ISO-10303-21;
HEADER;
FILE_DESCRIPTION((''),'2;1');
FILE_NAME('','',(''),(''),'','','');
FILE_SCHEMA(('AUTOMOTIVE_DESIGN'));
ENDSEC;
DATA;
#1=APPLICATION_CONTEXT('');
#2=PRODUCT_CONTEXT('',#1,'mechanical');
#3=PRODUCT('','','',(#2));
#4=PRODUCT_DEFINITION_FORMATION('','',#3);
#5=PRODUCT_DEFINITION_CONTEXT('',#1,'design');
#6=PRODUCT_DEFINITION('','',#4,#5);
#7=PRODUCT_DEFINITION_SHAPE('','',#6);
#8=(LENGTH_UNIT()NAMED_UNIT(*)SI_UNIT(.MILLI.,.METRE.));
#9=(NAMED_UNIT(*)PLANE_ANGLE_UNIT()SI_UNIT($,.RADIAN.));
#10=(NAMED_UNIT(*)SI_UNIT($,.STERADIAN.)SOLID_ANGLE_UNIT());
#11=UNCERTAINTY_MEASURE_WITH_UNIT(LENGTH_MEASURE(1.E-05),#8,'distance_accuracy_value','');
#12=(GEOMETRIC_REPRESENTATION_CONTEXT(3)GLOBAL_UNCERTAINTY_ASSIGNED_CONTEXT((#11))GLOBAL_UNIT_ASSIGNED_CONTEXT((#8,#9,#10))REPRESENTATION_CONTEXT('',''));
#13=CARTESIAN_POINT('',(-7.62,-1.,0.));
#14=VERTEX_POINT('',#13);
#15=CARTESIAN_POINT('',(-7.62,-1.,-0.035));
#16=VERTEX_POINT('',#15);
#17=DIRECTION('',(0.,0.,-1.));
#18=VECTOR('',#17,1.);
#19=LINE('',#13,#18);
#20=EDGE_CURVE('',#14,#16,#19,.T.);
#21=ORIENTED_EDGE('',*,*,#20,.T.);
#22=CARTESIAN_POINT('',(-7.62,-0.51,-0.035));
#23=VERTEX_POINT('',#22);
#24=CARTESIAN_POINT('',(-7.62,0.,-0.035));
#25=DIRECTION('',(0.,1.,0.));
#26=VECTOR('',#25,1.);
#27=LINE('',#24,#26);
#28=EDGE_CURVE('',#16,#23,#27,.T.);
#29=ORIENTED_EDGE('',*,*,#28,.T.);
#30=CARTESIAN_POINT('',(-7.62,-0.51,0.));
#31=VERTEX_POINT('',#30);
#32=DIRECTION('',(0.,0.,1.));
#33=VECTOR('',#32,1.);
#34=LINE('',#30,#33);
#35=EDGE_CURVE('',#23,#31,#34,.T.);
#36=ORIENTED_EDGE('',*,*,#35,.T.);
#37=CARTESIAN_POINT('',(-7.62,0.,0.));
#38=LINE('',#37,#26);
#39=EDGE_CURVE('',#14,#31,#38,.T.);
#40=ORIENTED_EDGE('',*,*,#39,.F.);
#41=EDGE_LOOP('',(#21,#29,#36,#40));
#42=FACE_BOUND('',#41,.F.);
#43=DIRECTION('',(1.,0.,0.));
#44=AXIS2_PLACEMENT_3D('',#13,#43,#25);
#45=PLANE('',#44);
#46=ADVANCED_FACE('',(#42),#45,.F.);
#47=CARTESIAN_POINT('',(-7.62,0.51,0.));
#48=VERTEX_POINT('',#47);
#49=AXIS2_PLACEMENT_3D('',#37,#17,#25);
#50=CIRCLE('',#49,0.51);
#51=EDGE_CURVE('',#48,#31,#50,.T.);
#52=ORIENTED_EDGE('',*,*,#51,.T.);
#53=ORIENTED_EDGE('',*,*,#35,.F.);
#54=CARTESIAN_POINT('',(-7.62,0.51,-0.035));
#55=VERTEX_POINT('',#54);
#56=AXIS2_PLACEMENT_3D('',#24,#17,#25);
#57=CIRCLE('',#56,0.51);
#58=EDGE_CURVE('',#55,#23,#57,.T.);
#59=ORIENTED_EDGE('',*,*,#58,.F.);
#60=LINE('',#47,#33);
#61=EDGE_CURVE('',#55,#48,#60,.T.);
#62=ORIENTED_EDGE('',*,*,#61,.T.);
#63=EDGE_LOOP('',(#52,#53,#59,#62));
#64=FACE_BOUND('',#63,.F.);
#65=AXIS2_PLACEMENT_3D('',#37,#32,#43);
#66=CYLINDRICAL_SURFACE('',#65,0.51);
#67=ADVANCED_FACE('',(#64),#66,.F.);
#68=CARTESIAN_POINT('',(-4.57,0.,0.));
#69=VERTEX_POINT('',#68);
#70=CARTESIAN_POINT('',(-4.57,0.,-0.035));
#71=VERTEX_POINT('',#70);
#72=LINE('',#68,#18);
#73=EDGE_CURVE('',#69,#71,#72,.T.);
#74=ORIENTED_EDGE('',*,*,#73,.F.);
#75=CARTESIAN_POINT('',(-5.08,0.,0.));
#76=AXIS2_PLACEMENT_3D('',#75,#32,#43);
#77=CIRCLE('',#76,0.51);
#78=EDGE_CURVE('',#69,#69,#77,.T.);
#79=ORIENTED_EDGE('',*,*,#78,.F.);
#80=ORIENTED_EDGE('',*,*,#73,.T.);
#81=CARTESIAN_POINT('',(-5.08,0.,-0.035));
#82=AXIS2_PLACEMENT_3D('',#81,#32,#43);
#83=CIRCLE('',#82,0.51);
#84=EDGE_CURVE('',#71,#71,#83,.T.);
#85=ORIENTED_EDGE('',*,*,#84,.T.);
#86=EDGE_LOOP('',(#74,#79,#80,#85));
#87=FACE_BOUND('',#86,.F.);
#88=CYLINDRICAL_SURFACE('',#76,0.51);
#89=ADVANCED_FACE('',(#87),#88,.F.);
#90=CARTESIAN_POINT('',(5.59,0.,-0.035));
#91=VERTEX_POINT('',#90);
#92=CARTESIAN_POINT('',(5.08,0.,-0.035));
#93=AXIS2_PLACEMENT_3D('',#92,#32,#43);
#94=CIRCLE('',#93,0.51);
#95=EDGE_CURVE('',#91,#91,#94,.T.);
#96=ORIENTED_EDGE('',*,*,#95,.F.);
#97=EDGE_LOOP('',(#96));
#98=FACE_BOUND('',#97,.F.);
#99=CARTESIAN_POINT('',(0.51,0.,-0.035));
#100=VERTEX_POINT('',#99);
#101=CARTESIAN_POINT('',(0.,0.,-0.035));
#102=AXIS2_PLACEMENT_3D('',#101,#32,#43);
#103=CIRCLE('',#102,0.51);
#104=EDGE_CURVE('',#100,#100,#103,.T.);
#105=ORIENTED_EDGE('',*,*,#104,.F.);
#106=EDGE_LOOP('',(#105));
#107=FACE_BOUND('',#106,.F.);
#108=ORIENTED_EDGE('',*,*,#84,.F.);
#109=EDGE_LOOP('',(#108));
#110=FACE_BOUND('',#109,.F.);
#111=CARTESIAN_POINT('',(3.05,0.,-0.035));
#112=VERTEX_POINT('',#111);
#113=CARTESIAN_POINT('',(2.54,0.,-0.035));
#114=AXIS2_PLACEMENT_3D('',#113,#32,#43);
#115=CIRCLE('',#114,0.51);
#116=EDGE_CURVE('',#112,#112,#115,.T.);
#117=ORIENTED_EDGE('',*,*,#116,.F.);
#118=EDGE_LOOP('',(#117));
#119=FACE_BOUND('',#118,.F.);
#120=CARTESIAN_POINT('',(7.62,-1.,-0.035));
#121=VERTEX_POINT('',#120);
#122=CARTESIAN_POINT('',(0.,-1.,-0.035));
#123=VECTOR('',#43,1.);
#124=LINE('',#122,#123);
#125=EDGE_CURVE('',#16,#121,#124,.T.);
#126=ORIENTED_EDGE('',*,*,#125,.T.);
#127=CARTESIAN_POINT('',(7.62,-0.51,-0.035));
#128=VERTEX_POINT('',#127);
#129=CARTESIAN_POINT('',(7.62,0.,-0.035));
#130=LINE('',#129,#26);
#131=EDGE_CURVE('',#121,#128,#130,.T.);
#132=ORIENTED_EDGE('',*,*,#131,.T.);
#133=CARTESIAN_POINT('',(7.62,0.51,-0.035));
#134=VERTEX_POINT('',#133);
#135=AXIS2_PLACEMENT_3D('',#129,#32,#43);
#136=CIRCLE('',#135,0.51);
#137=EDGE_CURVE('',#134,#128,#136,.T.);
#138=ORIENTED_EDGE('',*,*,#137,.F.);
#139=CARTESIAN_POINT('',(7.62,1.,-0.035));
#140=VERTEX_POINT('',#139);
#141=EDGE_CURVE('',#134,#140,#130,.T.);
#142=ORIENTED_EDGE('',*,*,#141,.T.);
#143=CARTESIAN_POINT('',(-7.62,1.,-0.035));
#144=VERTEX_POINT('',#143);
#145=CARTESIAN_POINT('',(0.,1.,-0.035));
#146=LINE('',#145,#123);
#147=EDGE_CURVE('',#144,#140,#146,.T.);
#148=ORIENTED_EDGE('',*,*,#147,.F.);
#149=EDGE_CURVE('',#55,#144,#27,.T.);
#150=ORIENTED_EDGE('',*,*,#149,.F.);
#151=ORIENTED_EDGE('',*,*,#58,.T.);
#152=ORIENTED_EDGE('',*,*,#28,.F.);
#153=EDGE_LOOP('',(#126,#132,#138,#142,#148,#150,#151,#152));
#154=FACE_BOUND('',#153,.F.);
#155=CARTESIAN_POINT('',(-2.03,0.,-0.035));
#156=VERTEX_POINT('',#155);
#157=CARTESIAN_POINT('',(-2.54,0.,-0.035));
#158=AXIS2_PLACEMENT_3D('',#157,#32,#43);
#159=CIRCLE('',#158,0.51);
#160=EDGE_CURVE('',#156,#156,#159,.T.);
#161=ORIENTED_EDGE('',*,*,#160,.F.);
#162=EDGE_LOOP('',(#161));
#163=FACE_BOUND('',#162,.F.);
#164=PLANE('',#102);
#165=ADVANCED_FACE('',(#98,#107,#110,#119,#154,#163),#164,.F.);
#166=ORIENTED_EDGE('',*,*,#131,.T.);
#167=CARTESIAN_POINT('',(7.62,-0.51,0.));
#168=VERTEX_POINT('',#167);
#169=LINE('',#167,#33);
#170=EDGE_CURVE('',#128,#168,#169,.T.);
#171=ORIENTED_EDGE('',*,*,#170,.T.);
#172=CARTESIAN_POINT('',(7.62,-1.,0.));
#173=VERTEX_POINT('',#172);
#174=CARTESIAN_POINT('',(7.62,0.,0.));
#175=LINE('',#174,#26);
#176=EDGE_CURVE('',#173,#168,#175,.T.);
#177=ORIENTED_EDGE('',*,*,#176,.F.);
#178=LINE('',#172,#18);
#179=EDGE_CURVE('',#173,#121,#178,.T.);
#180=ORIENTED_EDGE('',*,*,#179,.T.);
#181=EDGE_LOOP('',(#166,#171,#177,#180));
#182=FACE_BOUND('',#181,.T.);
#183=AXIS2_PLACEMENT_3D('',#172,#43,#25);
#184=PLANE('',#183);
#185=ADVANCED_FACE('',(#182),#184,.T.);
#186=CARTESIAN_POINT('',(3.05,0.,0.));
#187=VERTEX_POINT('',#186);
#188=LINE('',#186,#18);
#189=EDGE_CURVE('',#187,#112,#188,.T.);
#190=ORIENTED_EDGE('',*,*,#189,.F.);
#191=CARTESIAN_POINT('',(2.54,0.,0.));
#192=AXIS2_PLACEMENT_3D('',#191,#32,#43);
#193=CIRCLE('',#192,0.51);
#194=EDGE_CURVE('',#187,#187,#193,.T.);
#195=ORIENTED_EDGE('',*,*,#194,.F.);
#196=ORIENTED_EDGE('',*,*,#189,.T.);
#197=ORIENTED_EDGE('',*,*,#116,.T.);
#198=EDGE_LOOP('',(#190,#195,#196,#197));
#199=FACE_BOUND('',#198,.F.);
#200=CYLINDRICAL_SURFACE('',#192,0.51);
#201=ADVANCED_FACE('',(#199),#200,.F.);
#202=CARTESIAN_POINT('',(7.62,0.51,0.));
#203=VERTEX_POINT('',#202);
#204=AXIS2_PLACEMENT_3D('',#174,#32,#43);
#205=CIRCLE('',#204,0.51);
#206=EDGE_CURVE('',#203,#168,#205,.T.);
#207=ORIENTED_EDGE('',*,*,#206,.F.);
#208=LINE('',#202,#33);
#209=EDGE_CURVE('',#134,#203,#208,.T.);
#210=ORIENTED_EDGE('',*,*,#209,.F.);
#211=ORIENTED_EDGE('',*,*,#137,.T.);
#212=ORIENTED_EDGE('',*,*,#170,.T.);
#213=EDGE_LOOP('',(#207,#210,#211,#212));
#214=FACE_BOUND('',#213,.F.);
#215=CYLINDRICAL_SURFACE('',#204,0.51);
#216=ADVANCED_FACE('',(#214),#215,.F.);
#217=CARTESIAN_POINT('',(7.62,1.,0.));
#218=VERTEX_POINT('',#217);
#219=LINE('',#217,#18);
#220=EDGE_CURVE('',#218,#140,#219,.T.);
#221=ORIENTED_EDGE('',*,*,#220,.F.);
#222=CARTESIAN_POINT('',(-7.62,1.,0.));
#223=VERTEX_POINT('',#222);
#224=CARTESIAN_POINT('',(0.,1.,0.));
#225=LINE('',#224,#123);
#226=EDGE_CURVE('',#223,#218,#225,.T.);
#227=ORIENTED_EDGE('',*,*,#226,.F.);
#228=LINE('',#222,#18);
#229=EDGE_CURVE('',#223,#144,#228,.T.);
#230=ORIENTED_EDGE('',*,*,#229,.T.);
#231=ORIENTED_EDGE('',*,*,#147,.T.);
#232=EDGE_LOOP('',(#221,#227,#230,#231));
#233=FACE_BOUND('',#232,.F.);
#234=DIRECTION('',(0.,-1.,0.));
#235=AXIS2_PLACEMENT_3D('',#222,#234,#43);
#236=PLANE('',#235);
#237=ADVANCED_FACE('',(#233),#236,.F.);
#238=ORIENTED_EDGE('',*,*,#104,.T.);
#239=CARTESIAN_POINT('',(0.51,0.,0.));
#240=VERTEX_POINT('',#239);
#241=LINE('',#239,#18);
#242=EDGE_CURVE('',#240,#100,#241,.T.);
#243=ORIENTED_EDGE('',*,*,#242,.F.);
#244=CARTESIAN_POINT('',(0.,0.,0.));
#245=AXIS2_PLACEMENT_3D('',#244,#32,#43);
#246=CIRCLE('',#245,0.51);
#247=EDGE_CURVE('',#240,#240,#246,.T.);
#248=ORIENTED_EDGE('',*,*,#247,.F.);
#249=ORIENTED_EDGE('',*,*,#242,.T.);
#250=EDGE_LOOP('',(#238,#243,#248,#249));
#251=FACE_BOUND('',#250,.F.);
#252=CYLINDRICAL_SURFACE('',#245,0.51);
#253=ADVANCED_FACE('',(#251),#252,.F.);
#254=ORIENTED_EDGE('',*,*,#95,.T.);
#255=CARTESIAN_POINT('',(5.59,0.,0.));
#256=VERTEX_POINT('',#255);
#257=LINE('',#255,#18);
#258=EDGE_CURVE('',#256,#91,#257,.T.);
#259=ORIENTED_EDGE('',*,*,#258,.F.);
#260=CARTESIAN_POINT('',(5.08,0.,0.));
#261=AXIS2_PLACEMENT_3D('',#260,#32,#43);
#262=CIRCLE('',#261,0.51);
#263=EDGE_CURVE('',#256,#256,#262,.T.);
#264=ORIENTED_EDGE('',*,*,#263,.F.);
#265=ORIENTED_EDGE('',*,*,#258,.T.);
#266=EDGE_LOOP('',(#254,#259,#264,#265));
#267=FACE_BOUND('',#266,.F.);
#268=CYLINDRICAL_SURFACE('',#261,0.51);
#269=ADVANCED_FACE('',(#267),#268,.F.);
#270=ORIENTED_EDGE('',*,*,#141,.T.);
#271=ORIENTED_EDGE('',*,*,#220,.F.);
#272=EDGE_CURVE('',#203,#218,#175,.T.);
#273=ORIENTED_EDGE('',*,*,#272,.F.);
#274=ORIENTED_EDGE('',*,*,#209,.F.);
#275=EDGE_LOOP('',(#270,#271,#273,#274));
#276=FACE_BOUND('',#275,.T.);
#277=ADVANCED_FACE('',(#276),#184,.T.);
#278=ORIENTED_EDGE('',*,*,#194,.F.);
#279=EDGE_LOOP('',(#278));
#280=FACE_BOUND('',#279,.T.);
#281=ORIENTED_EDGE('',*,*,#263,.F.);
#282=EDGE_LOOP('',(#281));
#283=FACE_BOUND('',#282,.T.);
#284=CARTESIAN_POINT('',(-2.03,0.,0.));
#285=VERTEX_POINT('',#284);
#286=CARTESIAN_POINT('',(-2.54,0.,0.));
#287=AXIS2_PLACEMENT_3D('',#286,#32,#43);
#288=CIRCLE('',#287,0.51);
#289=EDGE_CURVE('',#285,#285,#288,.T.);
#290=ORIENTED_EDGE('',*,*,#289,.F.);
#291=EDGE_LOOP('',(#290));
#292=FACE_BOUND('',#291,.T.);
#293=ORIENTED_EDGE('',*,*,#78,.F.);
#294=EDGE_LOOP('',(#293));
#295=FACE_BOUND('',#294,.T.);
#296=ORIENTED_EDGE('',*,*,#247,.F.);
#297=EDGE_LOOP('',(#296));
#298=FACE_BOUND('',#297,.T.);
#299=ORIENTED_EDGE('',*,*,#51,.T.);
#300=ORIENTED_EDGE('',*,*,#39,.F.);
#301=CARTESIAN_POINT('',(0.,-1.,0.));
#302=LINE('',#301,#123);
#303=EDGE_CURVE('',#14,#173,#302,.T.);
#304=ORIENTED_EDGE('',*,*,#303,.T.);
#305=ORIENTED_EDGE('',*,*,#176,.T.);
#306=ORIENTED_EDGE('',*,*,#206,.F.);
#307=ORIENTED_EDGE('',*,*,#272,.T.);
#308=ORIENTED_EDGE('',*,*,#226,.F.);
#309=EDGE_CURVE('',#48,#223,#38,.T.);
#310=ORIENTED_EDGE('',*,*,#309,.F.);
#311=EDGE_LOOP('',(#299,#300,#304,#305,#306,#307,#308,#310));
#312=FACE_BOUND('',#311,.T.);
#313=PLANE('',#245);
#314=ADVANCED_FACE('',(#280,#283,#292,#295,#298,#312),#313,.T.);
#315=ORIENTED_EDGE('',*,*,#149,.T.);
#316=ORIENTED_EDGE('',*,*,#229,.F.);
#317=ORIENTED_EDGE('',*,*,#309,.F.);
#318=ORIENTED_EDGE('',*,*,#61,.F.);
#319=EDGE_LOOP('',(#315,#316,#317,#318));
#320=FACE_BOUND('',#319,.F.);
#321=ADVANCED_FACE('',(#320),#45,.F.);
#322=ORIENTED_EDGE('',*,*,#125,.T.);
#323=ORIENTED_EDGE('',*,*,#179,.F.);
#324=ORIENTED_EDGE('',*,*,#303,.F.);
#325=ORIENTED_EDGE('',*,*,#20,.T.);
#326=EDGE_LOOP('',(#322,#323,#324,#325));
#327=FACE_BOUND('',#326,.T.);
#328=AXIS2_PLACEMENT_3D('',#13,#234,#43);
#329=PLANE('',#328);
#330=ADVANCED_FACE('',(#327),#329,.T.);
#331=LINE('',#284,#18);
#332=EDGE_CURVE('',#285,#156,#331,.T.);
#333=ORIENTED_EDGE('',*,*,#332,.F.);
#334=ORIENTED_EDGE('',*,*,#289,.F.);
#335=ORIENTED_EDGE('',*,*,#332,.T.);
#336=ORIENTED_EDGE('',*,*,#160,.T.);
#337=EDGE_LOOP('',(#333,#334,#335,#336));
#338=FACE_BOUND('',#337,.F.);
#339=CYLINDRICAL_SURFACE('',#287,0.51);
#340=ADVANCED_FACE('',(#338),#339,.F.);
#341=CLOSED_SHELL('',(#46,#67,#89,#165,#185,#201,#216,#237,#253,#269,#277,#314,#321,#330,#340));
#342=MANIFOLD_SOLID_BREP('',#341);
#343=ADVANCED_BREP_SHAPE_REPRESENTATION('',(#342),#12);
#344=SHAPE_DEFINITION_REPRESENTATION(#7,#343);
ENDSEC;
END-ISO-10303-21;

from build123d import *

# Parameters (mm, degrees)
SKETCH002_W            = 15.24
SKETCH002_H            = 2
PAD001_DEPTH           = 0.035
SKETCH003_R            = 0.51
POCKET001_DEPTH        = 0.036
LINEARPATTERN004_COUNT = 7
LINEARPATTERN004_PITCH = 2.54


with BuildPart() as part:
    # Sketch002 → Pad001 (new body)
    with BuildSketch(Plane.XY):
        Rectangle(SKETCH002_W, SKETCH002_H)
    extrude(amount=-PAD001_DEPTH)

    # Sketch003 → Pocket001 (cut, through all)
    with BuildSketch(Plane.XY):
        with Locations((-7.62, 0)):
            Circle(SKETCH003_R)
    pocket001 = extrude(amount=-POCKET001_DEPTH, mode=Mode.SUBTRACT)

    # LinearPattern004: Pocket001 ×7
    with Locations(*[(i * LINEARPATTERN004_PITCH, 0, 0) for i in range(1, LINEARPATTERN004_COUNT)]):
        add(pocket001, mode=Mode.SUBTRACT)


solid = part.part
